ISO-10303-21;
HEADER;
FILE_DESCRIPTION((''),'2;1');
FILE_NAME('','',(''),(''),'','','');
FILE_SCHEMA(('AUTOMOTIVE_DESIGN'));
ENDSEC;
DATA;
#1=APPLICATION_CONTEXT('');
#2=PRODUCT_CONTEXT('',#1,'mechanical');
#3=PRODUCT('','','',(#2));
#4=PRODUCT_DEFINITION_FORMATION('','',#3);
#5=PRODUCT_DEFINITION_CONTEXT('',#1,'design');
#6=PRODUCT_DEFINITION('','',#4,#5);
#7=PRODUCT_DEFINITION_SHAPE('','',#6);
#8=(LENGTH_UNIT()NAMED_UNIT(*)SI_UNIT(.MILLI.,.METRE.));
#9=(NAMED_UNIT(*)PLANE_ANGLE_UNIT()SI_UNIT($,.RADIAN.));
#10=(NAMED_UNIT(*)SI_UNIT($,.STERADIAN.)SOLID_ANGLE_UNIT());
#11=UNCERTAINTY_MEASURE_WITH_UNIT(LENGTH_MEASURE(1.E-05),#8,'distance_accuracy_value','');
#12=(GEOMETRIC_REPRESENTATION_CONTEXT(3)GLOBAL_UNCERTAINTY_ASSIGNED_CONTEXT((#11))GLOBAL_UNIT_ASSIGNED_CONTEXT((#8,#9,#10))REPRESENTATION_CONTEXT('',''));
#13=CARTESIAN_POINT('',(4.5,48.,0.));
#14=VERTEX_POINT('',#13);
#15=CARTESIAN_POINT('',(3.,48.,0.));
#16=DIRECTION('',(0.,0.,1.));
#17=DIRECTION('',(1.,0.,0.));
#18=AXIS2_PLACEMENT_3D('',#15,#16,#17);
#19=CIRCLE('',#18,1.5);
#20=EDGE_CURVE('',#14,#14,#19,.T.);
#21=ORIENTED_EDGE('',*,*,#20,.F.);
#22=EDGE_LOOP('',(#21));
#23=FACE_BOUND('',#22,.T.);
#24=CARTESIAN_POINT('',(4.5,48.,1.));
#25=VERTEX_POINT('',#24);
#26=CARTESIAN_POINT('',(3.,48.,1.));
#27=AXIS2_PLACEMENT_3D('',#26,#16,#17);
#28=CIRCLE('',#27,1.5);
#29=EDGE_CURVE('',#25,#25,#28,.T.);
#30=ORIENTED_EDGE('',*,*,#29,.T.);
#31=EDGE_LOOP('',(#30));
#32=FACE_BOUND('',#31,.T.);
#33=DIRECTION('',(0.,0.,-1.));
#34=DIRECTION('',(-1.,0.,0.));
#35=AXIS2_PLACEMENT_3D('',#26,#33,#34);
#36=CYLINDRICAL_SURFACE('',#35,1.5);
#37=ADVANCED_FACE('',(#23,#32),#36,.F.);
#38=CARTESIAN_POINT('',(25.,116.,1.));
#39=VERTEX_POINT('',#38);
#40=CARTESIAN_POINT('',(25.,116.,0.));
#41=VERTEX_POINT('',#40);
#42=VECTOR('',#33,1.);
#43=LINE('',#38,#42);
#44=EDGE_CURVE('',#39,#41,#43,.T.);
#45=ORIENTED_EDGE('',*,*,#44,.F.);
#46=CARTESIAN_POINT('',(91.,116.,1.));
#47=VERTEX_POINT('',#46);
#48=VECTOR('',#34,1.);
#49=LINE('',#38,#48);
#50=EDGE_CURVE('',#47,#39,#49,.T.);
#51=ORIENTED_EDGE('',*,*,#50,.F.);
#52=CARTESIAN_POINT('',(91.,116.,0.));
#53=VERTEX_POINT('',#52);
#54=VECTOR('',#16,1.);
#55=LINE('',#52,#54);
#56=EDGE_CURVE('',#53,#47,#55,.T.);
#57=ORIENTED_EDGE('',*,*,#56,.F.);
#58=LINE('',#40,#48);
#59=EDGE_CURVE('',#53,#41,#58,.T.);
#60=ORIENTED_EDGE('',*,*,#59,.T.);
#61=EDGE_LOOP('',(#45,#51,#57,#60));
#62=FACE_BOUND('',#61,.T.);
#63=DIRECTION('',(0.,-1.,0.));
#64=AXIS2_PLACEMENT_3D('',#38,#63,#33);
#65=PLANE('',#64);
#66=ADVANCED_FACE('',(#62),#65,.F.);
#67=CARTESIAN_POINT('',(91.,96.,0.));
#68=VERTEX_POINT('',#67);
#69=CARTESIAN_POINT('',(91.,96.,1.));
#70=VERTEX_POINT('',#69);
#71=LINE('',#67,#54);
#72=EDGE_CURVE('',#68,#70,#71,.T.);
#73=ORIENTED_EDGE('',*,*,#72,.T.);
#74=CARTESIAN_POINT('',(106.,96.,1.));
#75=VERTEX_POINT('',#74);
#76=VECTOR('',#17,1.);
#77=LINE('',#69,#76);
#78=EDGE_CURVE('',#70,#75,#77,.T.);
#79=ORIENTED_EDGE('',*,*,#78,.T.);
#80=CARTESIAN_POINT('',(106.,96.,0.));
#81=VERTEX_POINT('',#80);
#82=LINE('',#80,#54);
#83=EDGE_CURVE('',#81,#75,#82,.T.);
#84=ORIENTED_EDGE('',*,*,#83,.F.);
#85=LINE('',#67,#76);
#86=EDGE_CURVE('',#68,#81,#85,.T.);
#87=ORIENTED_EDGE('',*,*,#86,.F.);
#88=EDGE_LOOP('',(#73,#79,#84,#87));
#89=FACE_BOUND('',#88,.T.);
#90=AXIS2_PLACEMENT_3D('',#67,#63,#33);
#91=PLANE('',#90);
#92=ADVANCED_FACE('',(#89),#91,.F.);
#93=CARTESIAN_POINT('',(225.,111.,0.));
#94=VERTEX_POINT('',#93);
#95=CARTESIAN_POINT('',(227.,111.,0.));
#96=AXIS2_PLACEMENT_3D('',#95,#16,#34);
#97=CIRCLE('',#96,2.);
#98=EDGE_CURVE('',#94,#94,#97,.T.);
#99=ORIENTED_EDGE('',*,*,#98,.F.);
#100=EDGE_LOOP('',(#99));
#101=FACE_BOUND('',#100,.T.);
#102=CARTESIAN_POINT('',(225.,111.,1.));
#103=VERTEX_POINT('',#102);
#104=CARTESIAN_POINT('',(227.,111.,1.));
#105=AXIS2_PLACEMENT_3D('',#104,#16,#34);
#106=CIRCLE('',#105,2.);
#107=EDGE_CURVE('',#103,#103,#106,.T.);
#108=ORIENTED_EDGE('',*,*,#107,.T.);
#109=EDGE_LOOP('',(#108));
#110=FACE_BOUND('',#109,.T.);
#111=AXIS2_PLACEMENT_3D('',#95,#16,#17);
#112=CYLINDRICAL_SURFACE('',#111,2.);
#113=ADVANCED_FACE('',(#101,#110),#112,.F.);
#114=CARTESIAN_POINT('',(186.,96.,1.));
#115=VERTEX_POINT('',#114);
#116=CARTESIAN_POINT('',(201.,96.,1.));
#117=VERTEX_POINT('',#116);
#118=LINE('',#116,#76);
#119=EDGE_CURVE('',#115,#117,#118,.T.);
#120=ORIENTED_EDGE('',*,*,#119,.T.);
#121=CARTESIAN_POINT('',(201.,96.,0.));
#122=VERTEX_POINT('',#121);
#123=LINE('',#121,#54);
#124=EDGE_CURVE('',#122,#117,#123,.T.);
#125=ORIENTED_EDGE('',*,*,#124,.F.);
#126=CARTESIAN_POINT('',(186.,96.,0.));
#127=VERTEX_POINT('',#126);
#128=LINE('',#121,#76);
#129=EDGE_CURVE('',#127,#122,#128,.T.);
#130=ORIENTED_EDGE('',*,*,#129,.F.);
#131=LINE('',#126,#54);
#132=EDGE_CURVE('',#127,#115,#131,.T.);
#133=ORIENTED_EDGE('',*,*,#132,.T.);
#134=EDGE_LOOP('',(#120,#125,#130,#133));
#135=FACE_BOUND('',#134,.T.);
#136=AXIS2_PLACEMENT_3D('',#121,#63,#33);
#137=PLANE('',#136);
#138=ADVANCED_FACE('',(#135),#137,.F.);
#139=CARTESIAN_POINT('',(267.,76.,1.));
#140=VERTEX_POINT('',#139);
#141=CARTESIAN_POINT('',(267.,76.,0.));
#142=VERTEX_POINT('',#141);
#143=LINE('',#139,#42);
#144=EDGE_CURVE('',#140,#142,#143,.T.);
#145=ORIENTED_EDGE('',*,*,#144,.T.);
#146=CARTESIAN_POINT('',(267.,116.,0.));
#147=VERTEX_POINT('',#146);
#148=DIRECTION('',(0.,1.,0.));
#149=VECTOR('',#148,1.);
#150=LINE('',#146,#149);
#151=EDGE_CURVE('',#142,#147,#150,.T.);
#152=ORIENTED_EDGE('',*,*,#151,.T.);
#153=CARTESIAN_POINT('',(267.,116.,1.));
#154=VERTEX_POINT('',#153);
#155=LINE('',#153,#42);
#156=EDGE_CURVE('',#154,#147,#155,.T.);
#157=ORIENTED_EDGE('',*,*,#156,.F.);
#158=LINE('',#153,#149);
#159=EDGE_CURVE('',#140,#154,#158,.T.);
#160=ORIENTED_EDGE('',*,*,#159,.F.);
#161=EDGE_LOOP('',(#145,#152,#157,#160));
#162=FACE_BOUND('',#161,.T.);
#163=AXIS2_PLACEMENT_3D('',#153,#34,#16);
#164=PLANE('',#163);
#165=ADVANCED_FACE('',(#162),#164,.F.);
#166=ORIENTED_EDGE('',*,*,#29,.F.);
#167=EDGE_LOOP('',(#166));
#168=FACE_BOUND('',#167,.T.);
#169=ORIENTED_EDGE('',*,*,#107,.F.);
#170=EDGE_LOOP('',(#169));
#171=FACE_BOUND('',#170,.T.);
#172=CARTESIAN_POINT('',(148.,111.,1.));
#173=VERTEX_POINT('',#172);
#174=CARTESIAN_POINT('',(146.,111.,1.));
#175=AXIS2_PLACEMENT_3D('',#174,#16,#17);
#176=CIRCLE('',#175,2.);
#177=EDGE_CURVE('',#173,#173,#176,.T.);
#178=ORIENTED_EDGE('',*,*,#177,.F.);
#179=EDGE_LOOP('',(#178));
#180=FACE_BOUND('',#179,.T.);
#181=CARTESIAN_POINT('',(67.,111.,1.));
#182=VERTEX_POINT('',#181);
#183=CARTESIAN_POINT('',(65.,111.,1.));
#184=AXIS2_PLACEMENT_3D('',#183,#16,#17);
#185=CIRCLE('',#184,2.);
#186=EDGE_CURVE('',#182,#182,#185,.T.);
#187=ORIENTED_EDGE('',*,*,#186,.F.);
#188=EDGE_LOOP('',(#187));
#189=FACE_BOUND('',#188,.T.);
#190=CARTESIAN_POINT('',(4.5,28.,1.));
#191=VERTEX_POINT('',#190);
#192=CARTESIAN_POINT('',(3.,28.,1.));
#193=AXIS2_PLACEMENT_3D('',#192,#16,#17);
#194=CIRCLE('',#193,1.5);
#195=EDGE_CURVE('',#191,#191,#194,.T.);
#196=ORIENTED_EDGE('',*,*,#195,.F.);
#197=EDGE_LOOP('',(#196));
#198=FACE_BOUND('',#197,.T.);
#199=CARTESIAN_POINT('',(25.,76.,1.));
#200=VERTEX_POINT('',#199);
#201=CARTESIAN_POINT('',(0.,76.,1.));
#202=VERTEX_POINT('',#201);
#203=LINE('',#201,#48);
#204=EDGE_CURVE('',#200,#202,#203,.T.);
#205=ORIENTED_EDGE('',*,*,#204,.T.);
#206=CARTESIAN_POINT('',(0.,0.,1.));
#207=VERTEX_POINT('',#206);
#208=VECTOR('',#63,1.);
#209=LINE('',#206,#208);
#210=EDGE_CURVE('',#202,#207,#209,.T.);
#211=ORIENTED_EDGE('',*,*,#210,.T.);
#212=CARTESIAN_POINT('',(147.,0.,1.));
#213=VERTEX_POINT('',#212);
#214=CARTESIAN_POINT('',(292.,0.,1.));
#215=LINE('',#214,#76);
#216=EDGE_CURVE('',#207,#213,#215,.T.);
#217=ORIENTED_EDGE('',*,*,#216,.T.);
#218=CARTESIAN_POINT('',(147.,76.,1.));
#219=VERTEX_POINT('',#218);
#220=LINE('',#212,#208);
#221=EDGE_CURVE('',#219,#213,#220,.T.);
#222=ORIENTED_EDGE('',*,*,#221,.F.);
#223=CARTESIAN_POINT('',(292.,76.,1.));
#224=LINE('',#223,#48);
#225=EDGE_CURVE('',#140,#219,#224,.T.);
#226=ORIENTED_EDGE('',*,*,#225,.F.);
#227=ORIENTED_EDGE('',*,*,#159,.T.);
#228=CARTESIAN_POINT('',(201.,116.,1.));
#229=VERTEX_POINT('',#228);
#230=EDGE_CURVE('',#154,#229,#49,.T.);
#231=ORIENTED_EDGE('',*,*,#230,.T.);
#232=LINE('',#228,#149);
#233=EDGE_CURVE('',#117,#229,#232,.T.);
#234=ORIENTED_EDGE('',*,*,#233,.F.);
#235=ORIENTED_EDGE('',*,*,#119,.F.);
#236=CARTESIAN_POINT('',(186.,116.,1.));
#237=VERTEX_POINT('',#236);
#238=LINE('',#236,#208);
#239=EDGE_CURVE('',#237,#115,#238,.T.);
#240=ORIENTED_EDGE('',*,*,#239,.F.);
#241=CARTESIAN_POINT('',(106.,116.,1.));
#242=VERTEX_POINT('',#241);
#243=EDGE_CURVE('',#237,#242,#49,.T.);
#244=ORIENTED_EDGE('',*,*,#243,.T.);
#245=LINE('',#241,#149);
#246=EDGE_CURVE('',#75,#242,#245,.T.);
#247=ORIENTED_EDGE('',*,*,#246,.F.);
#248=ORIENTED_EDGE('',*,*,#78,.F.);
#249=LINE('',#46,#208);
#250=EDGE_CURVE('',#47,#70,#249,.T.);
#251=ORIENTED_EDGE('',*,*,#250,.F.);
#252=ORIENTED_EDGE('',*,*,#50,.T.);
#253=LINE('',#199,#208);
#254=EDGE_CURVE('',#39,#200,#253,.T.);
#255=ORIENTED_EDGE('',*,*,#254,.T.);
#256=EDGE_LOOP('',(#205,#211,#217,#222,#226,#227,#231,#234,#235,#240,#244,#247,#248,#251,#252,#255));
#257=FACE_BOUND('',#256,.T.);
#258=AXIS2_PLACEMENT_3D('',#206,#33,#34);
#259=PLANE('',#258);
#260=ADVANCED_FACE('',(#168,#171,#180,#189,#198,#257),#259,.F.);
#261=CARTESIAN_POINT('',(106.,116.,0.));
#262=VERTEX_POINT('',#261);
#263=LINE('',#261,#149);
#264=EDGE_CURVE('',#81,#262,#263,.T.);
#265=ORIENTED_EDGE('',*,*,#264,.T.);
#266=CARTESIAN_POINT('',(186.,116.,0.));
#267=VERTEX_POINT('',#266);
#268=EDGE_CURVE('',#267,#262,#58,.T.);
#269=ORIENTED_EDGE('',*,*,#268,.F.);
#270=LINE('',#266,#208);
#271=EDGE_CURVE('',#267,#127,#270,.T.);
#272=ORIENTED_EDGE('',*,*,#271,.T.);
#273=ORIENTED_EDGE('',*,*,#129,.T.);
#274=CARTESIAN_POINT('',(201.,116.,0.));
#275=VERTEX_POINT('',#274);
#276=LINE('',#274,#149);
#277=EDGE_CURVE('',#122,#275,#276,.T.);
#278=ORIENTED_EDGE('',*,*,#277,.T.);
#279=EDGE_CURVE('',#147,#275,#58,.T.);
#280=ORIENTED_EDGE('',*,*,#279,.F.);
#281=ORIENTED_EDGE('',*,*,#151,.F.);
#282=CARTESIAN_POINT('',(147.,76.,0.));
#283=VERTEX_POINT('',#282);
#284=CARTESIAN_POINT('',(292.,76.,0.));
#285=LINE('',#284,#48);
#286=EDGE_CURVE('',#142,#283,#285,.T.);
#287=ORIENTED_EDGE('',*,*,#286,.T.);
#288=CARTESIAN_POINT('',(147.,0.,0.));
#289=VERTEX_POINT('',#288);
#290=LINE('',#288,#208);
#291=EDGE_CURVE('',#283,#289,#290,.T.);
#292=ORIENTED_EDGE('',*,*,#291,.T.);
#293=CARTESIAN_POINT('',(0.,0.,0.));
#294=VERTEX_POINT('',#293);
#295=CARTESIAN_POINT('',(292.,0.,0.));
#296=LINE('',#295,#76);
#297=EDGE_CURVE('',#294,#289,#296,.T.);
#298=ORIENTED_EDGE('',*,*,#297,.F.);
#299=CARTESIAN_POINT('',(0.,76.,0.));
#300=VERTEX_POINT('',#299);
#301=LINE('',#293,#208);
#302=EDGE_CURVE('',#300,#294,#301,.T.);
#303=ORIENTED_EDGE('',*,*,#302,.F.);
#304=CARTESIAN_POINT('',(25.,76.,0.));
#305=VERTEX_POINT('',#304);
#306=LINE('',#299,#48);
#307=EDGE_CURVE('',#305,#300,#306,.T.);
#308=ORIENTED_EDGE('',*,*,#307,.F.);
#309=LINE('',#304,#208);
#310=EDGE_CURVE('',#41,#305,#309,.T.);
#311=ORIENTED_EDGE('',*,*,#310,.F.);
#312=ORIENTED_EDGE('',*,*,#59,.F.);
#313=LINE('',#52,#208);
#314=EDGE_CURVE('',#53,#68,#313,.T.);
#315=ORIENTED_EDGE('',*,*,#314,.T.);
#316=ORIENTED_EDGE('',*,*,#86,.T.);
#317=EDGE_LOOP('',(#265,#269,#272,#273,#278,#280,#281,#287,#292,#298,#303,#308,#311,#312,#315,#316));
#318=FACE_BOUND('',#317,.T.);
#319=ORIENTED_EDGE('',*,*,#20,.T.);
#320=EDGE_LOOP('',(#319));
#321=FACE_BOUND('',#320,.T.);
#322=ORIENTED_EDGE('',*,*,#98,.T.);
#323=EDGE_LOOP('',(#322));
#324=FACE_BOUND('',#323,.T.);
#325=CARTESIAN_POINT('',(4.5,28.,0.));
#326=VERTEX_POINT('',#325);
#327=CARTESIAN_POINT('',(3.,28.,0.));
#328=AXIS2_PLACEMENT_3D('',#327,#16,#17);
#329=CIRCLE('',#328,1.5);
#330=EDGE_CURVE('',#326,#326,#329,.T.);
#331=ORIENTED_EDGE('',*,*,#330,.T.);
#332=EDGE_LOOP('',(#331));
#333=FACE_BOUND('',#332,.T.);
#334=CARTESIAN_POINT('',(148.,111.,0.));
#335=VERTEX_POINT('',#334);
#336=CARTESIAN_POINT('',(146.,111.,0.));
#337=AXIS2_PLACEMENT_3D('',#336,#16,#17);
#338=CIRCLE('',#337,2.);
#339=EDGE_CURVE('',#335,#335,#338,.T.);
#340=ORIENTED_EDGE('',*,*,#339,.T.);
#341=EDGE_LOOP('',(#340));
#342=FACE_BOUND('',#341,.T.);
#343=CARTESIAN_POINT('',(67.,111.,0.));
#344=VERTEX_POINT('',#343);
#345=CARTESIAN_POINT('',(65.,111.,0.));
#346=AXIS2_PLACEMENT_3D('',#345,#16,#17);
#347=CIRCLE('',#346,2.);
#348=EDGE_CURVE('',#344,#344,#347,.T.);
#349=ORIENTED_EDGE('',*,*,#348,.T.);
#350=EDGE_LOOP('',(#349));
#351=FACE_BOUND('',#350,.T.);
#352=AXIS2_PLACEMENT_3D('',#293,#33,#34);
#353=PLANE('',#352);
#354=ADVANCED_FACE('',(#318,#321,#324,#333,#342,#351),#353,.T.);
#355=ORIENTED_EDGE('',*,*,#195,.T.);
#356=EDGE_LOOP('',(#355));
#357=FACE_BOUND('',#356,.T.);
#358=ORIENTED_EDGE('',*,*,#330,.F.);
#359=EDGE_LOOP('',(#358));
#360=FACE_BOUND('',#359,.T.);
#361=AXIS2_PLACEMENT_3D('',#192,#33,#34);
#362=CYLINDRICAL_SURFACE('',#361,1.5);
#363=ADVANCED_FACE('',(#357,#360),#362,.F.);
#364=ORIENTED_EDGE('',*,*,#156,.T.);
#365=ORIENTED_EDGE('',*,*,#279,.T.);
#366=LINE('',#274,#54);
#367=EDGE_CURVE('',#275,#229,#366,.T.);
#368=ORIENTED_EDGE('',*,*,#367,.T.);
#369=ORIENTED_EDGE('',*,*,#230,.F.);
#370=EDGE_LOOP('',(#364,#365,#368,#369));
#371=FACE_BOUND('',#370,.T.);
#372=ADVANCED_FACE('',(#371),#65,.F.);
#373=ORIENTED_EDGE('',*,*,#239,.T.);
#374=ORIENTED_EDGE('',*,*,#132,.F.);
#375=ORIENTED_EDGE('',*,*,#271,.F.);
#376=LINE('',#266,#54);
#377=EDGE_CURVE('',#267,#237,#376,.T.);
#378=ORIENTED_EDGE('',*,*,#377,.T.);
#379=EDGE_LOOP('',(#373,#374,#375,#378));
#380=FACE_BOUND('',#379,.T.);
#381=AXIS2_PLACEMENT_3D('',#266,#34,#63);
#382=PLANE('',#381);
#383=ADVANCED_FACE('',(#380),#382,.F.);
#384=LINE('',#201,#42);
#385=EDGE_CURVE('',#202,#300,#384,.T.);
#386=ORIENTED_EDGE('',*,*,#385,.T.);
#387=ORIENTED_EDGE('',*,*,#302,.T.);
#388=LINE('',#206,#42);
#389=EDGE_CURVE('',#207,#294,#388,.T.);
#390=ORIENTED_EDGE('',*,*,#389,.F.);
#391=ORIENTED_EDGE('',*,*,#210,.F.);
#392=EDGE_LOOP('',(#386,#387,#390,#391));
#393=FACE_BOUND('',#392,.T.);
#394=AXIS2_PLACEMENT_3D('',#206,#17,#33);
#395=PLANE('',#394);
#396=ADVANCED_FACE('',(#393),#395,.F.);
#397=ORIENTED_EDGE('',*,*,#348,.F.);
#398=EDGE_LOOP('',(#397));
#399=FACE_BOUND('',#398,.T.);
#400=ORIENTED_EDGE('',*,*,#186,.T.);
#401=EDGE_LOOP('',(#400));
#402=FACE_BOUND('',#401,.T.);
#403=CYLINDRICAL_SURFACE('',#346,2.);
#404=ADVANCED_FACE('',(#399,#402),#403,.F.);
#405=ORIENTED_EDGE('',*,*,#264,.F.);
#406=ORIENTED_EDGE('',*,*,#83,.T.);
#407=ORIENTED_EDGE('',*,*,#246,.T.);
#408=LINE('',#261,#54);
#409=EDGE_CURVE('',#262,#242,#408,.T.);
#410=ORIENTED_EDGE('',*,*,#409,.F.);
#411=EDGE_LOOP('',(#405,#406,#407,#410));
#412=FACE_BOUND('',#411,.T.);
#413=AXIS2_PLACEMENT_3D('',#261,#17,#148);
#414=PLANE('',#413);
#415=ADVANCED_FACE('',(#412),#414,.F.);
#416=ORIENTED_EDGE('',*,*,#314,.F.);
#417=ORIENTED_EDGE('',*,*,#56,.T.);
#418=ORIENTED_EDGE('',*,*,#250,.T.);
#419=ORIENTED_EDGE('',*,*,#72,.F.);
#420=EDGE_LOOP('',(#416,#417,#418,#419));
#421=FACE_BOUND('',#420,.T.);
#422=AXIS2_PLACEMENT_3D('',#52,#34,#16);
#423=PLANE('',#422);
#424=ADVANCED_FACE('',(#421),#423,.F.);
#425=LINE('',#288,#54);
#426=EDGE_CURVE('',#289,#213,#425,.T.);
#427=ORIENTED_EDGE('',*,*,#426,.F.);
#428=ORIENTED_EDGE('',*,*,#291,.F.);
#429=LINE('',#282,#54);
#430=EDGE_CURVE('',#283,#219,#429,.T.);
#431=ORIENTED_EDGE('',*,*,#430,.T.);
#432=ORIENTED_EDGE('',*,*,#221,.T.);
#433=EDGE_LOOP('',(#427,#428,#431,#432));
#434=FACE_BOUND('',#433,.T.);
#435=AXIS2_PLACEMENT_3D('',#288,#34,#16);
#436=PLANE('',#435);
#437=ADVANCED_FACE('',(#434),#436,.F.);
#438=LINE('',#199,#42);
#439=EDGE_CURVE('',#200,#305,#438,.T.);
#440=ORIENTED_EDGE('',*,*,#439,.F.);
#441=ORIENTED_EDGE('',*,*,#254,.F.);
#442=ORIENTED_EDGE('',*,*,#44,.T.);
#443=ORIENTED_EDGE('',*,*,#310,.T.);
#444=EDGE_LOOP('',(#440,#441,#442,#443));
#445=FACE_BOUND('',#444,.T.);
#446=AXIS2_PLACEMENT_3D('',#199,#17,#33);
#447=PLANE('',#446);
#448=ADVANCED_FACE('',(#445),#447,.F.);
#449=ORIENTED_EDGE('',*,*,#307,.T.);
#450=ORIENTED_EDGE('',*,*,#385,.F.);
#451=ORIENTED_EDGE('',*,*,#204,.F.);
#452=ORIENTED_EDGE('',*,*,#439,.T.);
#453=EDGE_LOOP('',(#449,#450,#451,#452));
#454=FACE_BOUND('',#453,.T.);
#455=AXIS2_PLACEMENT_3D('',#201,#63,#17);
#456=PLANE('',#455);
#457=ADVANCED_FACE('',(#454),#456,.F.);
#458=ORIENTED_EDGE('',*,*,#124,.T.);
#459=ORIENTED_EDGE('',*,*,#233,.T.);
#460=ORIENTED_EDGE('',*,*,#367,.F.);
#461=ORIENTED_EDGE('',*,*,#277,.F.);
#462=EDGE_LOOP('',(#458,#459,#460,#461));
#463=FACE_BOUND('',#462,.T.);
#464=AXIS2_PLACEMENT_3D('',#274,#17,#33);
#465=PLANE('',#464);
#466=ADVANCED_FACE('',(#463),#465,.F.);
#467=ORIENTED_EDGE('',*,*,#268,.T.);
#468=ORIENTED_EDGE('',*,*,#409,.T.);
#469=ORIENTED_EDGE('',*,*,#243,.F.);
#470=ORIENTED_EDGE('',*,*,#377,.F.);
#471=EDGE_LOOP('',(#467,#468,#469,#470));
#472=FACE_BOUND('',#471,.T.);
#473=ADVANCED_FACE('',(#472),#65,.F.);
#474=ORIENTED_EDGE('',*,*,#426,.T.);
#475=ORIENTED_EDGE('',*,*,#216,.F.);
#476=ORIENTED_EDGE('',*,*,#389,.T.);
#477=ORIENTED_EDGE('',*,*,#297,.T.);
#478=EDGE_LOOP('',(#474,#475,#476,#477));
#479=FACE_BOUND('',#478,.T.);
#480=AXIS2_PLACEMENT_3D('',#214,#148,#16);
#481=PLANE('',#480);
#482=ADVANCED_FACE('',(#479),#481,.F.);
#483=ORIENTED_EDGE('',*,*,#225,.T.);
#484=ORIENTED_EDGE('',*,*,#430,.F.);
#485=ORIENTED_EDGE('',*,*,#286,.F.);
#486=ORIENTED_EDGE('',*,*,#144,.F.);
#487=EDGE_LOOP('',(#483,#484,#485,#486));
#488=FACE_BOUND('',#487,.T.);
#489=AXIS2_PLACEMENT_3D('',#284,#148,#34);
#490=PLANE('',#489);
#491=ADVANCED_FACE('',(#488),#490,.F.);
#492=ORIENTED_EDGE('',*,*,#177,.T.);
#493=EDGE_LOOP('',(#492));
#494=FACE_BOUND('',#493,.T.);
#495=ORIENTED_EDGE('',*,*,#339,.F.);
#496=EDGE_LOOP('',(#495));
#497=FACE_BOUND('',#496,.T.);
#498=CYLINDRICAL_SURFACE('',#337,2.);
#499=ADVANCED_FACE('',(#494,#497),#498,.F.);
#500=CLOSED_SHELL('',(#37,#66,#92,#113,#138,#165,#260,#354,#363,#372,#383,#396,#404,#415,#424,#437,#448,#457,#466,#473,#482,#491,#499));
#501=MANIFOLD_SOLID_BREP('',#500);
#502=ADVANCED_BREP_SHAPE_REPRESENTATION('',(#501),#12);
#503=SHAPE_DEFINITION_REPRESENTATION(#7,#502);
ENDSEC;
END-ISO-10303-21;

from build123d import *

# Parameters (mm, degrees)
SKETCH_1_R          = 1.5
EXTRUDE_1_DEPTH     = 1
SKETCH_2_R          = 2
SKETCH_2_W          = 15
SKETCH_2_H          = 20
CUT_EXTRUDE_1_DEPTH = 315.198981539
SKETCH_3_W          = 145
SKETCH_3_H          = 76
CUT_EXTRUDE_2_DEPTH = 315.198981539


with BuildPart() as part:
    # 草图1 → 凸台-拉伸1 (new body)
    with BuildSketch(Plane.XY):
        Polygon((0, 0), (0, 76), (25, 76), (25, 116), (267, 116), (267, 76), (292, 76), (292, 0), align=None)
        with Locations((3, 48)):
            Circle(SKETCH_1_R, mode=Mode.SUBTRACT)
        with Locations((3, 28)):
            Circle(SKETCH_1_R, mode=Mode.SUBTRACT)
        with Locations(Location((289, 28, 0), (0, 0, 180))):
            Circle(SKETCH_1_R, mode=Mode.SUBTRACT)
        with Locations(Location((289, 48, 0), (0, 0, 180))):
            Circle(SKETCH_1_R, mode=Mode.SUBTRACT)
    extrude(amount=EXTRUDE_1_DEPTH)

    # 草图2 → 切除-拉伸1 (cut, through all)
    with BuildSketch(Plane.XY.offset(1)):
        with Locations((65, 111)):
            Circle(SKETCH_2_R)
        with Locations(Location((227, 111, 0), (0, 0, 180))):
            Circle(SKETCH_2_R)
        with Locations((146, 111)):
            Circle(SKETCH_2_R)
        with Locations((193.5, 106)):
            Rectangle(SKETCH_2_W, SKETCH_2_H)
        with Locations((98.5, 106)):
            Rectangle(SKETCH_2_W, SKETCH_2_H)
    extrude(amount=-CUT_EXTRUDE_1_DEPTH, mode=Mode.SUBTRACT)

    # 草图3 → 切除-拉伸2 (cut, through all)
    with BuildSketch(Plane.XY.offset(1)):
        with Locations((219.5, 38)):
            Rectangle(SKETCH_3_W, SKETCH_3_H)
    extrude(amount=-CUT_EXTRUDE_2_DEPTH, mode=Mode.SUBTRACT)


solid = part.part
